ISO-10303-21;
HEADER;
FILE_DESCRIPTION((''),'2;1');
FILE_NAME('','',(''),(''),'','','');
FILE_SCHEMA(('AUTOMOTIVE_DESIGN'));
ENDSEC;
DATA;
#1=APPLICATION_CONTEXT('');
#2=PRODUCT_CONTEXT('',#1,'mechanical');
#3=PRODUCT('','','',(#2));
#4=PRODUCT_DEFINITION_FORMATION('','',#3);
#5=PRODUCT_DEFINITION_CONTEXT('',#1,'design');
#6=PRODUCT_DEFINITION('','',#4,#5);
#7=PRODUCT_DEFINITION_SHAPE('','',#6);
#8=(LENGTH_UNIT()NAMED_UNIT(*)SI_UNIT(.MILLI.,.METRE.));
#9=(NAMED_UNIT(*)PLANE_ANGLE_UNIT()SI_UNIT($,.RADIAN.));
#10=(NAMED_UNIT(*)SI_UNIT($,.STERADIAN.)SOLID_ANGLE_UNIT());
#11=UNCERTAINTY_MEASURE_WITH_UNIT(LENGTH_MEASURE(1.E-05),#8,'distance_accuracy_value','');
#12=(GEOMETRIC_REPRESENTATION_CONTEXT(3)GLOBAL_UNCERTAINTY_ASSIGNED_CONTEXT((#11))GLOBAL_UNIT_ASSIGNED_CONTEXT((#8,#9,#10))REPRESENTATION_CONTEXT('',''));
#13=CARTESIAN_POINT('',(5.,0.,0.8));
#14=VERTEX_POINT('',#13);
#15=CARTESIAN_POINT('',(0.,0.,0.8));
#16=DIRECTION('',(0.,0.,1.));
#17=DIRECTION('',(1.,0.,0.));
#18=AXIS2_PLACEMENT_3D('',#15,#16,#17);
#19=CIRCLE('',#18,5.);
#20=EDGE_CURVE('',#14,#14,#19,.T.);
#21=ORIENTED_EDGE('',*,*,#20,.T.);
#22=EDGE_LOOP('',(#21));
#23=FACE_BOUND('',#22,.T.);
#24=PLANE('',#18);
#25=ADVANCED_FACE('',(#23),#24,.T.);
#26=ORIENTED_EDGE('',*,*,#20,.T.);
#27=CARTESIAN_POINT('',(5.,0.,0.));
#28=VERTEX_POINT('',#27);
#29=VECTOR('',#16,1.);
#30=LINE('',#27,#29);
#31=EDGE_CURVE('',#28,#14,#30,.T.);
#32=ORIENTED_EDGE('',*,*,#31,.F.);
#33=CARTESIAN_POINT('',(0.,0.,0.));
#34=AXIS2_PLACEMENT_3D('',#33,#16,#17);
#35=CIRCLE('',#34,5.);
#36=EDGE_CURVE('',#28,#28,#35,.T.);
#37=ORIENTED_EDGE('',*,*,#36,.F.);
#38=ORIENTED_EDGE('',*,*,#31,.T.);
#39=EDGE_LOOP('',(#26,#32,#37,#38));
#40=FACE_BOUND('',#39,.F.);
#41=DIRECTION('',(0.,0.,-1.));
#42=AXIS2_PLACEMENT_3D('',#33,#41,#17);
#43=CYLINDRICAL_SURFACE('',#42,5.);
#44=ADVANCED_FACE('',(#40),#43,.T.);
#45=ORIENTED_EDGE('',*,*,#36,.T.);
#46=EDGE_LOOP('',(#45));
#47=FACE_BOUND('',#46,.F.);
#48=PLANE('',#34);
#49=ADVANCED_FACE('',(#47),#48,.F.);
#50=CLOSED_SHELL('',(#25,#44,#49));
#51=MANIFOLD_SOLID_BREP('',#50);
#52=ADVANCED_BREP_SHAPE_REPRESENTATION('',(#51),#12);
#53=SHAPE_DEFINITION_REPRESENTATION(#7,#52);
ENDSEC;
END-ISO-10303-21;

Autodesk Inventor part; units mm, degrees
ref_plane "YZ Plane" through (0, 0, 0) normal (1, 0, 0) x (0, 1, 0)
ref_plane "XZ Plane" through (0, 0, 0) normal (0, 1, 0) x (-1, 0, 0)
ref_plane "XY Plane" through (0, 0, 0) normal (0, 0, 1) x (1, 0, 0)
sketch "Sketch1" plane through (0, 0, 0) normal (0, 0, 1) x (1, 0, 0)
  circle A0 centre (0, 0) radius 5
  dimension "d0" = 10
extrude "Extrusion1" add sketch "Sketch1" along normal blind 0.8
properties part number "mimi"
